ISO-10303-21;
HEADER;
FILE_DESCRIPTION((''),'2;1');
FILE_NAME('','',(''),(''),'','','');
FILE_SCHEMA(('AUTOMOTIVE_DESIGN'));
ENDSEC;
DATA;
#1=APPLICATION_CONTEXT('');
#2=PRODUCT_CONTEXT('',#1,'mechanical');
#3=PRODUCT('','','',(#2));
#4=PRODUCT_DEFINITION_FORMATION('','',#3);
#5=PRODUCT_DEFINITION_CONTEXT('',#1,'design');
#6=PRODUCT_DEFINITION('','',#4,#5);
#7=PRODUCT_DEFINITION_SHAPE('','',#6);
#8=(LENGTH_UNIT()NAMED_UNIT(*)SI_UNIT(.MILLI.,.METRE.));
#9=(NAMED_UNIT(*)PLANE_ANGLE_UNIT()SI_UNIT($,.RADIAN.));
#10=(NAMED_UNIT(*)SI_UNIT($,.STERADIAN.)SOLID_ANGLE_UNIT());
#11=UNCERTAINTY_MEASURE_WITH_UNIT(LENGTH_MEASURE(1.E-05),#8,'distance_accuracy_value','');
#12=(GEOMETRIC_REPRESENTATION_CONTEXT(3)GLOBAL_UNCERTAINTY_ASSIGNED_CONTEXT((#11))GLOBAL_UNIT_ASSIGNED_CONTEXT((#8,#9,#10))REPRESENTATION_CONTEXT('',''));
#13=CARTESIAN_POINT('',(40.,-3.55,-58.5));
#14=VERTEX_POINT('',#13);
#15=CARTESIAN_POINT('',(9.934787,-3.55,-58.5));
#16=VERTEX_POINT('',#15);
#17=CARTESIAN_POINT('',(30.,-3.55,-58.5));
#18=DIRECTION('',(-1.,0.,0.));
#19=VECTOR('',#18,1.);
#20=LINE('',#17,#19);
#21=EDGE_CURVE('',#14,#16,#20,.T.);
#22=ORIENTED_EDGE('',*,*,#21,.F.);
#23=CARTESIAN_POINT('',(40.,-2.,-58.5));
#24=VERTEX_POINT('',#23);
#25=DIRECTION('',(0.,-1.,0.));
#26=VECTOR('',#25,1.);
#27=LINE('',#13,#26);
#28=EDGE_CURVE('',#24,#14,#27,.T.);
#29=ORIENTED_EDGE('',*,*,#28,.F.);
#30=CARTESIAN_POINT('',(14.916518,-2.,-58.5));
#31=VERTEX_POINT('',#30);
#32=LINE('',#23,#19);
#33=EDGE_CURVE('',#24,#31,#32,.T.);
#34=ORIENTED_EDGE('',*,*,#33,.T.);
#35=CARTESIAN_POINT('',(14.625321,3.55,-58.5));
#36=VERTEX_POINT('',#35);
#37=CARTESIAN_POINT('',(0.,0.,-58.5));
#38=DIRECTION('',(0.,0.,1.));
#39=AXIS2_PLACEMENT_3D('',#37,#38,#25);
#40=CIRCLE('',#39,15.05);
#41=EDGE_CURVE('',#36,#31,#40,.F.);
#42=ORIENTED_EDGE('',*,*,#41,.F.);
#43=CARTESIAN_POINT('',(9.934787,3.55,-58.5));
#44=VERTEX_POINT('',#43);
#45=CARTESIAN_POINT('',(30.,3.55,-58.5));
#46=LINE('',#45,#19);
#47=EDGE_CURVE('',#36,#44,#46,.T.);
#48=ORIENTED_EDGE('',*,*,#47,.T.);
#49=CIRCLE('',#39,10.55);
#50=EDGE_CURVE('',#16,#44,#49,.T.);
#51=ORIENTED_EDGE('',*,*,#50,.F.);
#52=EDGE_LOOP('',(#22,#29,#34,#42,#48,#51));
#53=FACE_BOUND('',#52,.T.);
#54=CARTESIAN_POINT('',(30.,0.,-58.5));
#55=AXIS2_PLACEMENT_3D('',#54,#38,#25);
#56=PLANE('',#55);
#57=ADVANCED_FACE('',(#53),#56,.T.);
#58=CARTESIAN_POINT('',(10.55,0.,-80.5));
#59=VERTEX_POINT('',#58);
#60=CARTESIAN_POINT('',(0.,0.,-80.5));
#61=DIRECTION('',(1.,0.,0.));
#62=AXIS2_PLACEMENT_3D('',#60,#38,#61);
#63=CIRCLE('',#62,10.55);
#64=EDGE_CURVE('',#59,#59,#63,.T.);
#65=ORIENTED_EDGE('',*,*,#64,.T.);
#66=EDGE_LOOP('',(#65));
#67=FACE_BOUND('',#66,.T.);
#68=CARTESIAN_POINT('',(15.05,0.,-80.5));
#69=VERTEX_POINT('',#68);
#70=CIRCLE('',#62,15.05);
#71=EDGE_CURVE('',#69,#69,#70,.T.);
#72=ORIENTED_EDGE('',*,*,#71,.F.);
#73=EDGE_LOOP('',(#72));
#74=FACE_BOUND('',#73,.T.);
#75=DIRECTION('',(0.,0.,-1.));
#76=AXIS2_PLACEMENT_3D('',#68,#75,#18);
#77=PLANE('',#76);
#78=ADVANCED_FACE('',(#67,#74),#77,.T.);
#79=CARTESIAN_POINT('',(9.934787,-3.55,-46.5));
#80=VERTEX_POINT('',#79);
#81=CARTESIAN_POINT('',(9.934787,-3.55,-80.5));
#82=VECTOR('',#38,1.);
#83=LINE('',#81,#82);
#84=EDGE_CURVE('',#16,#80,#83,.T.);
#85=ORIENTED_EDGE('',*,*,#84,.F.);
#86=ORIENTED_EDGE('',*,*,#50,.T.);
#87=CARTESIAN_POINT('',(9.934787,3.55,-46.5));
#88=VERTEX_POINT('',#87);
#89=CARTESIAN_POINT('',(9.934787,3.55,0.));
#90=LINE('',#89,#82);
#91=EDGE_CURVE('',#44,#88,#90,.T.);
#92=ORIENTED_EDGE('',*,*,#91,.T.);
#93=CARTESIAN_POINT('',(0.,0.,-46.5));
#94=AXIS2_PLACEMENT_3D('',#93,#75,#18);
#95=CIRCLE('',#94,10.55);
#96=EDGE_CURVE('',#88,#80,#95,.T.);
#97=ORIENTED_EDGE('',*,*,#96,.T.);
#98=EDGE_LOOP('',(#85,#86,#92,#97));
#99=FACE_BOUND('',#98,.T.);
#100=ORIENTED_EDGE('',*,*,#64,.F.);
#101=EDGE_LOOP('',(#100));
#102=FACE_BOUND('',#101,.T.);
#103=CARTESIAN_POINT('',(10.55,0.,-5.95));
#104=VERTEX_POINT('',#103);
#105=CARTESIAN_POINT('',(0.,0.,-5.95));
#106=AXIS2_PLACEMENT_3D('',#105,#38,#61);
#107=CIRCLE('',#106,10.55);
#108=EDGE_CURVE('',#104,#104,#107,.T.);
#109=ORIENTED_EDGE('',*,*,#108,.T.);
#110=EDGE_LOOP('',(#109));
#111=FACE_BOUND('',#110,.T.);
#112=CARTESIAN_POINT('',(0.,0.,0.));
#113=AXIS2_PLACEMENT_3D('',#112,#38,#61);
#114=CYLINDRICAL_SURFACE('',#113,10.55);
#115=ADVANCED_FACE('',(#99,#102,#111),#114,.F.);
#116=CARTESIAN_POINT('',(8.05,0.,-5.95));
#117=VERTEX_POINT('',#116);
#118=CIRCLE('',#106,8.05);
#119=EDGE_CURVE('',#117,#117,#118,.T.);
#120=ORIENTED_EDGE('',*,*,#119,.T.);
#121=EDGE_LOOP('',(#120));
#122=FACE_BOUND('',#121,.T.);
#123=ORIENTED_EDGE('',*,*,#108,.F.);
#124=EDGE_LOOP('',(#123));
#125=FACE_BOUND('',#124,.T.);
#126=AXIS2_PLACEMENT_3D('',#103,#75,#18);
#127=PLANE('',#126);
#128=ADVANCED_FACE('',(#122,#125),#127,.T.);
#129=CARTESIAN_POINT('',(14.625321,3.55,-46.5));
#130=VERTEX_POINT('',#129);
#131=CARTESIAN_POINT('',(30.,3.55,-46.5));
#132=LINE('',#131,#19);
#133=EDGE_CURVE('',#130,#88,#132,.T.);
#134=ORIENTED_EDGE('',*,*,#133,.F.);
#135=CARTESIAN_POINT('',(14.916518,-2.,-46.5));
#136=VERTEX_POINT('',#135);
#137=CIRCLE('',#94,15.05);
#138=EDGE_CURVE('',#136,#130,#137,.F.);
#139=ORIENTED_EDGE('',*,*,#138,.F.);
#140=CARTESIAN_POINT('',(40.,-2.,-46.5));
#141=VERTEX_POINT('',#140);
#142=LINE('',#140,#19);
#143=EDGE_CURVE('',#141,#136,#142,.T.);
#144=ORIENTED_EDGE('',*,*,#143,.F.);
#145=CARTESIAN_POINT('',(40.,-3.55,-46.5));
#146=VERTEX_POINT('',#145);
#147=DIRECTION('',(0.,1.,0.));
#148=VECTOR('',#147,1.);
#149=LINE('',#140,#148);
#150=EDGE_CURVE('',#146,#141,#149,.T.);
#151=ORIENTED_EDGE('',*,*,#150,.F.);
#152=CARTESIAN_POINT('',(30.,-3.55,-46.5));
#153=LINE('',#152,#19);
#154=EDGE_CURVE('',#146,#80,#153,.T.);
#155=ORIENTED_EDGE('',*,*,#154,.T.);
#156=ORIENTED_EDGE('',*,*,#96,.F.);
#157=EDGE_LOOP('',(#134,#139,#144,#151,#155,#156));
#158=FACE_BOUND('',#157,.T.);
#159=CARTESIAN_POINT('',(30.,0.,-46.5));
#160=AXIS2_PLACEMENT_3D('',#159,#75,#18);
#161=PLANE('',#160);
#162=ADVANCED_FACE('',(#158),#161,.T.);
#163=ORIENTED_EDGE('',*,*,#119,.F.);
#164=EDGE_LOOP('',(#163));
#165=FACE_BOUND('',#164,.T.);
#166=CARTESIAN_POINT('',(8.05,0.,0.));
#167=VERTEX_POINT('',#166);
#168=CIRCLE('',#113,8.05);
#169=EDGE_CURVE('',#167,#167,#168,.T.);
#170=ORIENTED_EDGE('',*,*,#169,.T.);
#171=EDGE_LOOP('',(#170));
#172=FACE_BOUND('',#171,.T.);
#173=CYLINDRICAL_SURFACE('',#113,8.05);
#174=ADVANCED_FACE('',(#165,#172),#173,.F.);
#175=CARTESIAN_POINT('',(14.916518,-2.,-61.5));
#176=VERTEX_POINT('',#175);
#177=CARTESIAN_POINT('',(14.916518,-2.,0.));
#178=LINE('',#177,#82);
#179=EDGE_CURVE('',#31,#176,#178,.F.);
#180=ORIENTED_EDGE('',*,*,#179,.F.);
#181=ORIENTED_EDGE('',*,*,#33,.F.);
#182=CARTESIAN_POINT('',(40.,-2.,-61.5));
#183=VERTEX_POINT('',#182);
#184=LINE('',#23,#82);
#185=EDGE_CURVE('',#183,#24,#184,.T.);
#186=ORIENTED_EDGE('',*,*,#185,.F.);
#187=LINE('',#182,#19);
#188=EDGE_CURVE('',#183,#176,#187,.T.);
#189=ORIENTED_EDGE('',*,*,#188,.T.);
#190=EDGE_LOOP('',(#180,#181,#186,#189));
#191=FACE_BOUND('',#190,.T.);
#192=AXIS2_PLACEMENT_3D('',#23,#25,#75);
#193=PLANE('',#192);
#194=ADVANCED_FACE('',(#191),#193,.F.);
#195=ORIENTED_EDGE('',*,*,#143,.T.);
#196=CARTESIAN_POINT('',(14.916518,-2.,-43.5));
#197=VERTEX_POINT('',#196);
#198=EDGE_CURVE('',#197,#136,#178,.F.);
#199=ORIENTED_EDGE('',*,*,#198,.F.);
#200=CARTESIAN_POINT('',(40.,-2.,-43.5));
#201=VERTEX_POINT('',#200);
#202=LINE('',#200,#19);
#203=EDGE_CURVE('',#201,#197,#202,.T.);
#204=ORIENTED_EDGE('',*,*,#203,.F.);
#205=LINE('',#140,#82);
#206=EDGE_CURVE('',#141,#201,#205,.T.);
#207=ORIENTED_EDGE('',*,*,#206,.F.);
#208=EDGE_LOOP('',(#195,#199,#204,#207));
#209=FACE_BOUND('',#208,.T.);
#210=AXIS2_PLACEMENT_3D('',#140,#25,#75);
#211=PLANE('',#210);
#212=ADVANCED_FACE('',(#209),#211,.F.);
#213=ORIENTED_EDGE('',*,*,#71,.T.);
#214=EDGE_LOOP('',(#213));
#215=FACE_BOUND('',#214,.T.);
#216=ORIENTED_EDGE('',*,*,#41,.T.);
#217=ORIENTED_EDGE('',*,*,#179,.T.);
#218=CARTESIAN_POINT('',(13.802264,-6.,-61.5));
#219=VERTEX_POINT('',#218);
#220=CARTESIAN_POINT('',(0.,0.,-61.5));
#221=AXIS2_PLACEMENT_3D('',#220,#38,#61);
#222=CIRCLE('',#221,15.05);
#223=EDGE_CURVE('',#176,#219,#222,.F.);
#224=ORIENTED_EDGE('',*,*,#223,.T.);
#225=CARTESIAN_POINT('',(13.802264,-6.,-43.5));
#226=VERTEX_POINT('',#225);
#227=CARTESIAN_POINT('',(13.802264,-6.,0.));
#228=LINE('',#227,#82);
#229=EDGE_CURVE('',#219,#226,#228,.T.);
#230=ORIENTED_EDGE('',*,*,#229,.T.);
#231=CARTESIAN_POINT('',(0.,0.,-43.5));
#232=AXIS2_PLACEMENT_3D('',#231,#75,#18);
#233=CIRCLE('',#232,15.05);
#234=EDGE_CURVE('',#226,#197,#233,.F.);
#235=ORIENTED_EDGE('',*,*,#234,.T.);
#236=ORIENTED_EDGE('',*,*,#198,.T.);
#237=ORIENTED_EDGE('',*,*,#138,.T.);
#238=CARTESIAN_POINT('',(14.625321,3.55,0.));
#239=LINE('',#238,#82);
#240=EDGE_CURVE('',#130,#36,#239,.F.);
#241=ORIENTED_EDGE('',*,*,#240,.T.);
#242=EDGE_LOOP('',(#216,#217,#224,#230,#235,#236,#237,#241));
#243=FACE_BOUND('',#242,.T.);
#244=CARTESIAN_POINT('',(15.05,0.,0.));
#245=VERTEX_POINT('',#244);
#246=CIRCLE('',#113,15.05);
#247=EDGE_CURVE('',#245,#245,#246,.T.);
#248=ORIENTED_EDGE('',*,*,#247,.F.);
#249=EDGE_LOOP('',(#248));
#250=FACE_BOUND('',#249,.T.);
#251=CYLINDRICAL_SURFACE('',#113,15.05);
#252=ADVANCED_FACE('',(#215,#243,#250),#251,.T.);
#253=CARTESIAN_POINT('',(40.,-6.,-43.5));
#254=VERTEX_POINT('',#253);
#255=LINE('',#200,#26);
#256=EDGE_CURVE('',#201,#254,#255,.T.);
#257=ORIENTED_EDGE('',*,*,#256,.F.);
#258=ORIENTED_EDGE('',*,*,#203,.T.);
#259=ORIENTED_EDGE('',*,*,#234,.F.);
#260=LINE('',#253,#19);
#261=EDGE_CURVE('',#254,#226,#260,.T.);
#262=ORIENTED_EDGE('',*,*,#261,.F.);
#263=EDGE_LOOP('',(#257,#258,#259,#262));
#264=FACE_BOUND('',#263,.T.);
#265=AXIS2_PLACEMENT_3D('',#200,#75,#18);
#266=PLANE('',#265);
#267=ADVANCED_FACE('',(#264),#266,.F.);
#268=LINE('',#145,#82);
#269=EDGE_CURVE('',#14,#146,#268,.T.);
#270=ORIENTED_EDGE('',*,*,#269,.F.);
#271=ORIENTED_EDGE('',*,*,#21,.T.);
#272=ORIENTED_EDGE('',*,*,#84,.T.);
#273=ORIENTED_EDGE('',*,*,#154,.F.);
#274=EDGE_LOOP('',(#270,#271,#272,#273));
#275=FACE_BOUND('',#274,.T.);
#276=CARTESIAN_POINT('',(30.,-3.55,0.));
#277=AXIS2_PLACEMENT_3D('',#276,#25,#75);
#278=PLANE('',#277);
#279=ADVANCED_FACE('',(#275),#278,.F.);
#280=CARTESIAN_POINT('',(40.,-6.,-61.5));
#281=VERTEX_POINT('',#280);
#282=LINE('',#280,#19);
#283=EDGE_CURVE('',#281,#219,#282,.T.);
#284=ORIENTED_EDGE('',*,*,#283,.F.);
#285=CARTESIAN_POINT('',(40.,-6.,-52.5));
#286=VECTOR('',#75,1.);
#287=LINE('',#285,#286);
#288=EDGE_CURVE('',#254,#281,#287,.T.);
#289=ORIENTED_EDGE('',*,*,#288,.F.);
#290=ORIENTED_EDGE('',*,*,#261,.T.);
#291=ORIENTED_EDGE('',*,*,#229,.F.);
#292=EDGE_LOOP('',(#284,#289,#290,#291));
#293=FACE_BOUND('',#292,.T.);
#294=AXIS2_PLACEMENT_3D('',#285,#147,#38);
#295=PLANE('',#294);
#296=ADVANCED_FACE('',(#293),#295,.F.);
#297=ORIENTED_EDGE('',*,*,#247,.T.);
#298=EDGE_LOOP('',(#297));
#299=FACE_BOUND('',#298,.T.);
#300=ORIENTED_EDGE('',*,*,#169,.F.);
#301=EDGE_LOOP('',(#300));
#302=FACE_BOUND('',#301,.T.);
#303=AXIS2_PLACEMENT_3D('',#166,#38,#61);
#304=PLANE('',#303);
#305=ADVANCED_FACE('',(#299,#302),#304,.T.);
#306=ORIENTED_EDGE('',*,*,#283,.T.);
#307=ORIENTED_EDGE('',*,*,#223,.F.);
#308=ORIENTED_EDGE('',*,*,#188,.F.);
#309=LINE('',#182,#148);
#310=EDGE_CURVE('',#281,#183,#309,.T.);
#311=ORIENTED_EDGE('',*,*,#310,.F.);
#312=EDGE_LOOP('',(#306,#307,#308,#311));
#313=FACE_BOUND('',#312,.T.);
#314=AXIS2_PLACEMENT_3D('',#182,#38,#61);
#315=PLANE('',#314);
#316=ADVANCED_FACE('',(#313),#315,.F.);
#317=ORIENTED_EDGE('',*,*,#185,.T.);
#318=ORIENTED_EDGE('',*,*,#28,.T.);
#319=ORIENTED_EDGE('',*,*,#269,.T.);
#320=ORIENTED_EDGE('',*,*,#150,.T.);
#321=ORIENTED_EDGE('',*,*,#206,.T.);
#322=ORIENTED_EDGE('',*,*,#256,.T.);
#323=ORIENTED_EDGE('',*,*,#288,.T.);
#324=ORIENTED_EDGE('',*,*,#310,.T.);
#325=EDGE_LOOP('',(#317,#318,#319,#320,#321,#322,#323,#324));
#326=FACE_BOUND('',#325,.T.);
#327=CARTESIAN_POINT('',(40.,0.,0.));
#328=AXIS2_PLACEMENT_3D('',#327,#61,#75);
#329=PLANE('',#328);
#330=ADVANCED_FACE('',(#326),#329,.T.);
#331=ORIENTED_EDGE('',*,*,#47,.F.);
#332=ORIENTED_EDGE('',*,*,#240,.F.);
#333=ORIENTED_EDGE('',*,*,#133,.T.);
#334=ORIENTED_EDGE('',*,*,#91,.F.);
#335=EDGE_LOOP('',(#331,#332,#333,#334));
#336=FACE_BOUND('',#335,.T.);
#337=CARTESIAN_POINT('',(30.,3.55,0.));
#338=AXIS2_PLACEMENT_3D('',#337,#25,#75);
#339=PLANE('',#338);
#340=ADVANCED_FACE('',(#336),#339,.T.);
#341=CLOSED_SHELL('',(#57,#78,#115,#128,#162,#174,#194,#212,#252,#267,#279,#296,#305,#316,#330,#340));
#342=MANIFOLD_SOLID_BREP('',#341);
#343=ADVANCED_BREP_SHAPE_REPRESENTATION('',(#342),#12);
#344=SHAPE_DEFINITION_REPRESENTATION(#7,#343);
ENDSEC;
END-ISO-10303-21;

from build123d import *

# Parameters (mm, degrees)
SKETCH2_W           = 12
SKETCH2_H           = 7.1
CUT_EXTRUDE2_DEPTH  = 30
BOSS_EXTRUDE1_DEPTH = 40
SKETCH5_R           = 10.55
CUT_EXTRUDE3_DEPTH  = 86.931397056


with BuildPart() as part:
    # Sketch1 → Revolve2 (revolve)
    with BuildSketch(Plane(origin=(0, 0, 0), x_dir=(1, 0, 0), z_dir=(0, 1, 0))):
        Polygon((8.05, 0), (15.05, 0), (15.05, 80.5), (10.55, 80.5), (10.55, 5.95), (8.05, 5.95), align=None)
    revolve(axis=Axis((0, 0, 0), (0, 0, -1)))

    # Sketch2 → Cut-Extrude2 (cut)
    with BuildSketch(Plane(origin=(0, 0, 0), x_dir=(0, 0, -1), z_dir=(1, 0, 0))):
        with Locations((52.5, 0)):
            Rectangle(SKETCH2_W, SKETCH2_H)
    extrude(amount=CUT_EXTRUDE2_DEPTH, mode=Mode.SUBTRACT)

    # Sketch3 → Boss-Extrude1 (add)
    with BuildSketch(Plane(origin=(0, 0, 0), x_dir=(0, 0, -1), z_dir=(1, 0, 0))):
        Polygon((46.5, -2), (43.5, -2), (43.5, -6), (52.5, -6), (61.5, -6), (61.5, -2), (58.5, -2), (58.5, -3.55), (46.5, -3.55), align=None)
    extrude(amount=BOSS_EXTRUDE1_DEPTH)

    # Sketch5 → Cut-Extrude3 (cut, through all)
    with BuildSketch(Plane.XY.offset(-5.95)):
        Circle(SKETCH5_R)
    extrude(amount=-CUT_EXTRUDE3_DEPTH, mode=Mode.SUBTRACT)


solid = part.part
